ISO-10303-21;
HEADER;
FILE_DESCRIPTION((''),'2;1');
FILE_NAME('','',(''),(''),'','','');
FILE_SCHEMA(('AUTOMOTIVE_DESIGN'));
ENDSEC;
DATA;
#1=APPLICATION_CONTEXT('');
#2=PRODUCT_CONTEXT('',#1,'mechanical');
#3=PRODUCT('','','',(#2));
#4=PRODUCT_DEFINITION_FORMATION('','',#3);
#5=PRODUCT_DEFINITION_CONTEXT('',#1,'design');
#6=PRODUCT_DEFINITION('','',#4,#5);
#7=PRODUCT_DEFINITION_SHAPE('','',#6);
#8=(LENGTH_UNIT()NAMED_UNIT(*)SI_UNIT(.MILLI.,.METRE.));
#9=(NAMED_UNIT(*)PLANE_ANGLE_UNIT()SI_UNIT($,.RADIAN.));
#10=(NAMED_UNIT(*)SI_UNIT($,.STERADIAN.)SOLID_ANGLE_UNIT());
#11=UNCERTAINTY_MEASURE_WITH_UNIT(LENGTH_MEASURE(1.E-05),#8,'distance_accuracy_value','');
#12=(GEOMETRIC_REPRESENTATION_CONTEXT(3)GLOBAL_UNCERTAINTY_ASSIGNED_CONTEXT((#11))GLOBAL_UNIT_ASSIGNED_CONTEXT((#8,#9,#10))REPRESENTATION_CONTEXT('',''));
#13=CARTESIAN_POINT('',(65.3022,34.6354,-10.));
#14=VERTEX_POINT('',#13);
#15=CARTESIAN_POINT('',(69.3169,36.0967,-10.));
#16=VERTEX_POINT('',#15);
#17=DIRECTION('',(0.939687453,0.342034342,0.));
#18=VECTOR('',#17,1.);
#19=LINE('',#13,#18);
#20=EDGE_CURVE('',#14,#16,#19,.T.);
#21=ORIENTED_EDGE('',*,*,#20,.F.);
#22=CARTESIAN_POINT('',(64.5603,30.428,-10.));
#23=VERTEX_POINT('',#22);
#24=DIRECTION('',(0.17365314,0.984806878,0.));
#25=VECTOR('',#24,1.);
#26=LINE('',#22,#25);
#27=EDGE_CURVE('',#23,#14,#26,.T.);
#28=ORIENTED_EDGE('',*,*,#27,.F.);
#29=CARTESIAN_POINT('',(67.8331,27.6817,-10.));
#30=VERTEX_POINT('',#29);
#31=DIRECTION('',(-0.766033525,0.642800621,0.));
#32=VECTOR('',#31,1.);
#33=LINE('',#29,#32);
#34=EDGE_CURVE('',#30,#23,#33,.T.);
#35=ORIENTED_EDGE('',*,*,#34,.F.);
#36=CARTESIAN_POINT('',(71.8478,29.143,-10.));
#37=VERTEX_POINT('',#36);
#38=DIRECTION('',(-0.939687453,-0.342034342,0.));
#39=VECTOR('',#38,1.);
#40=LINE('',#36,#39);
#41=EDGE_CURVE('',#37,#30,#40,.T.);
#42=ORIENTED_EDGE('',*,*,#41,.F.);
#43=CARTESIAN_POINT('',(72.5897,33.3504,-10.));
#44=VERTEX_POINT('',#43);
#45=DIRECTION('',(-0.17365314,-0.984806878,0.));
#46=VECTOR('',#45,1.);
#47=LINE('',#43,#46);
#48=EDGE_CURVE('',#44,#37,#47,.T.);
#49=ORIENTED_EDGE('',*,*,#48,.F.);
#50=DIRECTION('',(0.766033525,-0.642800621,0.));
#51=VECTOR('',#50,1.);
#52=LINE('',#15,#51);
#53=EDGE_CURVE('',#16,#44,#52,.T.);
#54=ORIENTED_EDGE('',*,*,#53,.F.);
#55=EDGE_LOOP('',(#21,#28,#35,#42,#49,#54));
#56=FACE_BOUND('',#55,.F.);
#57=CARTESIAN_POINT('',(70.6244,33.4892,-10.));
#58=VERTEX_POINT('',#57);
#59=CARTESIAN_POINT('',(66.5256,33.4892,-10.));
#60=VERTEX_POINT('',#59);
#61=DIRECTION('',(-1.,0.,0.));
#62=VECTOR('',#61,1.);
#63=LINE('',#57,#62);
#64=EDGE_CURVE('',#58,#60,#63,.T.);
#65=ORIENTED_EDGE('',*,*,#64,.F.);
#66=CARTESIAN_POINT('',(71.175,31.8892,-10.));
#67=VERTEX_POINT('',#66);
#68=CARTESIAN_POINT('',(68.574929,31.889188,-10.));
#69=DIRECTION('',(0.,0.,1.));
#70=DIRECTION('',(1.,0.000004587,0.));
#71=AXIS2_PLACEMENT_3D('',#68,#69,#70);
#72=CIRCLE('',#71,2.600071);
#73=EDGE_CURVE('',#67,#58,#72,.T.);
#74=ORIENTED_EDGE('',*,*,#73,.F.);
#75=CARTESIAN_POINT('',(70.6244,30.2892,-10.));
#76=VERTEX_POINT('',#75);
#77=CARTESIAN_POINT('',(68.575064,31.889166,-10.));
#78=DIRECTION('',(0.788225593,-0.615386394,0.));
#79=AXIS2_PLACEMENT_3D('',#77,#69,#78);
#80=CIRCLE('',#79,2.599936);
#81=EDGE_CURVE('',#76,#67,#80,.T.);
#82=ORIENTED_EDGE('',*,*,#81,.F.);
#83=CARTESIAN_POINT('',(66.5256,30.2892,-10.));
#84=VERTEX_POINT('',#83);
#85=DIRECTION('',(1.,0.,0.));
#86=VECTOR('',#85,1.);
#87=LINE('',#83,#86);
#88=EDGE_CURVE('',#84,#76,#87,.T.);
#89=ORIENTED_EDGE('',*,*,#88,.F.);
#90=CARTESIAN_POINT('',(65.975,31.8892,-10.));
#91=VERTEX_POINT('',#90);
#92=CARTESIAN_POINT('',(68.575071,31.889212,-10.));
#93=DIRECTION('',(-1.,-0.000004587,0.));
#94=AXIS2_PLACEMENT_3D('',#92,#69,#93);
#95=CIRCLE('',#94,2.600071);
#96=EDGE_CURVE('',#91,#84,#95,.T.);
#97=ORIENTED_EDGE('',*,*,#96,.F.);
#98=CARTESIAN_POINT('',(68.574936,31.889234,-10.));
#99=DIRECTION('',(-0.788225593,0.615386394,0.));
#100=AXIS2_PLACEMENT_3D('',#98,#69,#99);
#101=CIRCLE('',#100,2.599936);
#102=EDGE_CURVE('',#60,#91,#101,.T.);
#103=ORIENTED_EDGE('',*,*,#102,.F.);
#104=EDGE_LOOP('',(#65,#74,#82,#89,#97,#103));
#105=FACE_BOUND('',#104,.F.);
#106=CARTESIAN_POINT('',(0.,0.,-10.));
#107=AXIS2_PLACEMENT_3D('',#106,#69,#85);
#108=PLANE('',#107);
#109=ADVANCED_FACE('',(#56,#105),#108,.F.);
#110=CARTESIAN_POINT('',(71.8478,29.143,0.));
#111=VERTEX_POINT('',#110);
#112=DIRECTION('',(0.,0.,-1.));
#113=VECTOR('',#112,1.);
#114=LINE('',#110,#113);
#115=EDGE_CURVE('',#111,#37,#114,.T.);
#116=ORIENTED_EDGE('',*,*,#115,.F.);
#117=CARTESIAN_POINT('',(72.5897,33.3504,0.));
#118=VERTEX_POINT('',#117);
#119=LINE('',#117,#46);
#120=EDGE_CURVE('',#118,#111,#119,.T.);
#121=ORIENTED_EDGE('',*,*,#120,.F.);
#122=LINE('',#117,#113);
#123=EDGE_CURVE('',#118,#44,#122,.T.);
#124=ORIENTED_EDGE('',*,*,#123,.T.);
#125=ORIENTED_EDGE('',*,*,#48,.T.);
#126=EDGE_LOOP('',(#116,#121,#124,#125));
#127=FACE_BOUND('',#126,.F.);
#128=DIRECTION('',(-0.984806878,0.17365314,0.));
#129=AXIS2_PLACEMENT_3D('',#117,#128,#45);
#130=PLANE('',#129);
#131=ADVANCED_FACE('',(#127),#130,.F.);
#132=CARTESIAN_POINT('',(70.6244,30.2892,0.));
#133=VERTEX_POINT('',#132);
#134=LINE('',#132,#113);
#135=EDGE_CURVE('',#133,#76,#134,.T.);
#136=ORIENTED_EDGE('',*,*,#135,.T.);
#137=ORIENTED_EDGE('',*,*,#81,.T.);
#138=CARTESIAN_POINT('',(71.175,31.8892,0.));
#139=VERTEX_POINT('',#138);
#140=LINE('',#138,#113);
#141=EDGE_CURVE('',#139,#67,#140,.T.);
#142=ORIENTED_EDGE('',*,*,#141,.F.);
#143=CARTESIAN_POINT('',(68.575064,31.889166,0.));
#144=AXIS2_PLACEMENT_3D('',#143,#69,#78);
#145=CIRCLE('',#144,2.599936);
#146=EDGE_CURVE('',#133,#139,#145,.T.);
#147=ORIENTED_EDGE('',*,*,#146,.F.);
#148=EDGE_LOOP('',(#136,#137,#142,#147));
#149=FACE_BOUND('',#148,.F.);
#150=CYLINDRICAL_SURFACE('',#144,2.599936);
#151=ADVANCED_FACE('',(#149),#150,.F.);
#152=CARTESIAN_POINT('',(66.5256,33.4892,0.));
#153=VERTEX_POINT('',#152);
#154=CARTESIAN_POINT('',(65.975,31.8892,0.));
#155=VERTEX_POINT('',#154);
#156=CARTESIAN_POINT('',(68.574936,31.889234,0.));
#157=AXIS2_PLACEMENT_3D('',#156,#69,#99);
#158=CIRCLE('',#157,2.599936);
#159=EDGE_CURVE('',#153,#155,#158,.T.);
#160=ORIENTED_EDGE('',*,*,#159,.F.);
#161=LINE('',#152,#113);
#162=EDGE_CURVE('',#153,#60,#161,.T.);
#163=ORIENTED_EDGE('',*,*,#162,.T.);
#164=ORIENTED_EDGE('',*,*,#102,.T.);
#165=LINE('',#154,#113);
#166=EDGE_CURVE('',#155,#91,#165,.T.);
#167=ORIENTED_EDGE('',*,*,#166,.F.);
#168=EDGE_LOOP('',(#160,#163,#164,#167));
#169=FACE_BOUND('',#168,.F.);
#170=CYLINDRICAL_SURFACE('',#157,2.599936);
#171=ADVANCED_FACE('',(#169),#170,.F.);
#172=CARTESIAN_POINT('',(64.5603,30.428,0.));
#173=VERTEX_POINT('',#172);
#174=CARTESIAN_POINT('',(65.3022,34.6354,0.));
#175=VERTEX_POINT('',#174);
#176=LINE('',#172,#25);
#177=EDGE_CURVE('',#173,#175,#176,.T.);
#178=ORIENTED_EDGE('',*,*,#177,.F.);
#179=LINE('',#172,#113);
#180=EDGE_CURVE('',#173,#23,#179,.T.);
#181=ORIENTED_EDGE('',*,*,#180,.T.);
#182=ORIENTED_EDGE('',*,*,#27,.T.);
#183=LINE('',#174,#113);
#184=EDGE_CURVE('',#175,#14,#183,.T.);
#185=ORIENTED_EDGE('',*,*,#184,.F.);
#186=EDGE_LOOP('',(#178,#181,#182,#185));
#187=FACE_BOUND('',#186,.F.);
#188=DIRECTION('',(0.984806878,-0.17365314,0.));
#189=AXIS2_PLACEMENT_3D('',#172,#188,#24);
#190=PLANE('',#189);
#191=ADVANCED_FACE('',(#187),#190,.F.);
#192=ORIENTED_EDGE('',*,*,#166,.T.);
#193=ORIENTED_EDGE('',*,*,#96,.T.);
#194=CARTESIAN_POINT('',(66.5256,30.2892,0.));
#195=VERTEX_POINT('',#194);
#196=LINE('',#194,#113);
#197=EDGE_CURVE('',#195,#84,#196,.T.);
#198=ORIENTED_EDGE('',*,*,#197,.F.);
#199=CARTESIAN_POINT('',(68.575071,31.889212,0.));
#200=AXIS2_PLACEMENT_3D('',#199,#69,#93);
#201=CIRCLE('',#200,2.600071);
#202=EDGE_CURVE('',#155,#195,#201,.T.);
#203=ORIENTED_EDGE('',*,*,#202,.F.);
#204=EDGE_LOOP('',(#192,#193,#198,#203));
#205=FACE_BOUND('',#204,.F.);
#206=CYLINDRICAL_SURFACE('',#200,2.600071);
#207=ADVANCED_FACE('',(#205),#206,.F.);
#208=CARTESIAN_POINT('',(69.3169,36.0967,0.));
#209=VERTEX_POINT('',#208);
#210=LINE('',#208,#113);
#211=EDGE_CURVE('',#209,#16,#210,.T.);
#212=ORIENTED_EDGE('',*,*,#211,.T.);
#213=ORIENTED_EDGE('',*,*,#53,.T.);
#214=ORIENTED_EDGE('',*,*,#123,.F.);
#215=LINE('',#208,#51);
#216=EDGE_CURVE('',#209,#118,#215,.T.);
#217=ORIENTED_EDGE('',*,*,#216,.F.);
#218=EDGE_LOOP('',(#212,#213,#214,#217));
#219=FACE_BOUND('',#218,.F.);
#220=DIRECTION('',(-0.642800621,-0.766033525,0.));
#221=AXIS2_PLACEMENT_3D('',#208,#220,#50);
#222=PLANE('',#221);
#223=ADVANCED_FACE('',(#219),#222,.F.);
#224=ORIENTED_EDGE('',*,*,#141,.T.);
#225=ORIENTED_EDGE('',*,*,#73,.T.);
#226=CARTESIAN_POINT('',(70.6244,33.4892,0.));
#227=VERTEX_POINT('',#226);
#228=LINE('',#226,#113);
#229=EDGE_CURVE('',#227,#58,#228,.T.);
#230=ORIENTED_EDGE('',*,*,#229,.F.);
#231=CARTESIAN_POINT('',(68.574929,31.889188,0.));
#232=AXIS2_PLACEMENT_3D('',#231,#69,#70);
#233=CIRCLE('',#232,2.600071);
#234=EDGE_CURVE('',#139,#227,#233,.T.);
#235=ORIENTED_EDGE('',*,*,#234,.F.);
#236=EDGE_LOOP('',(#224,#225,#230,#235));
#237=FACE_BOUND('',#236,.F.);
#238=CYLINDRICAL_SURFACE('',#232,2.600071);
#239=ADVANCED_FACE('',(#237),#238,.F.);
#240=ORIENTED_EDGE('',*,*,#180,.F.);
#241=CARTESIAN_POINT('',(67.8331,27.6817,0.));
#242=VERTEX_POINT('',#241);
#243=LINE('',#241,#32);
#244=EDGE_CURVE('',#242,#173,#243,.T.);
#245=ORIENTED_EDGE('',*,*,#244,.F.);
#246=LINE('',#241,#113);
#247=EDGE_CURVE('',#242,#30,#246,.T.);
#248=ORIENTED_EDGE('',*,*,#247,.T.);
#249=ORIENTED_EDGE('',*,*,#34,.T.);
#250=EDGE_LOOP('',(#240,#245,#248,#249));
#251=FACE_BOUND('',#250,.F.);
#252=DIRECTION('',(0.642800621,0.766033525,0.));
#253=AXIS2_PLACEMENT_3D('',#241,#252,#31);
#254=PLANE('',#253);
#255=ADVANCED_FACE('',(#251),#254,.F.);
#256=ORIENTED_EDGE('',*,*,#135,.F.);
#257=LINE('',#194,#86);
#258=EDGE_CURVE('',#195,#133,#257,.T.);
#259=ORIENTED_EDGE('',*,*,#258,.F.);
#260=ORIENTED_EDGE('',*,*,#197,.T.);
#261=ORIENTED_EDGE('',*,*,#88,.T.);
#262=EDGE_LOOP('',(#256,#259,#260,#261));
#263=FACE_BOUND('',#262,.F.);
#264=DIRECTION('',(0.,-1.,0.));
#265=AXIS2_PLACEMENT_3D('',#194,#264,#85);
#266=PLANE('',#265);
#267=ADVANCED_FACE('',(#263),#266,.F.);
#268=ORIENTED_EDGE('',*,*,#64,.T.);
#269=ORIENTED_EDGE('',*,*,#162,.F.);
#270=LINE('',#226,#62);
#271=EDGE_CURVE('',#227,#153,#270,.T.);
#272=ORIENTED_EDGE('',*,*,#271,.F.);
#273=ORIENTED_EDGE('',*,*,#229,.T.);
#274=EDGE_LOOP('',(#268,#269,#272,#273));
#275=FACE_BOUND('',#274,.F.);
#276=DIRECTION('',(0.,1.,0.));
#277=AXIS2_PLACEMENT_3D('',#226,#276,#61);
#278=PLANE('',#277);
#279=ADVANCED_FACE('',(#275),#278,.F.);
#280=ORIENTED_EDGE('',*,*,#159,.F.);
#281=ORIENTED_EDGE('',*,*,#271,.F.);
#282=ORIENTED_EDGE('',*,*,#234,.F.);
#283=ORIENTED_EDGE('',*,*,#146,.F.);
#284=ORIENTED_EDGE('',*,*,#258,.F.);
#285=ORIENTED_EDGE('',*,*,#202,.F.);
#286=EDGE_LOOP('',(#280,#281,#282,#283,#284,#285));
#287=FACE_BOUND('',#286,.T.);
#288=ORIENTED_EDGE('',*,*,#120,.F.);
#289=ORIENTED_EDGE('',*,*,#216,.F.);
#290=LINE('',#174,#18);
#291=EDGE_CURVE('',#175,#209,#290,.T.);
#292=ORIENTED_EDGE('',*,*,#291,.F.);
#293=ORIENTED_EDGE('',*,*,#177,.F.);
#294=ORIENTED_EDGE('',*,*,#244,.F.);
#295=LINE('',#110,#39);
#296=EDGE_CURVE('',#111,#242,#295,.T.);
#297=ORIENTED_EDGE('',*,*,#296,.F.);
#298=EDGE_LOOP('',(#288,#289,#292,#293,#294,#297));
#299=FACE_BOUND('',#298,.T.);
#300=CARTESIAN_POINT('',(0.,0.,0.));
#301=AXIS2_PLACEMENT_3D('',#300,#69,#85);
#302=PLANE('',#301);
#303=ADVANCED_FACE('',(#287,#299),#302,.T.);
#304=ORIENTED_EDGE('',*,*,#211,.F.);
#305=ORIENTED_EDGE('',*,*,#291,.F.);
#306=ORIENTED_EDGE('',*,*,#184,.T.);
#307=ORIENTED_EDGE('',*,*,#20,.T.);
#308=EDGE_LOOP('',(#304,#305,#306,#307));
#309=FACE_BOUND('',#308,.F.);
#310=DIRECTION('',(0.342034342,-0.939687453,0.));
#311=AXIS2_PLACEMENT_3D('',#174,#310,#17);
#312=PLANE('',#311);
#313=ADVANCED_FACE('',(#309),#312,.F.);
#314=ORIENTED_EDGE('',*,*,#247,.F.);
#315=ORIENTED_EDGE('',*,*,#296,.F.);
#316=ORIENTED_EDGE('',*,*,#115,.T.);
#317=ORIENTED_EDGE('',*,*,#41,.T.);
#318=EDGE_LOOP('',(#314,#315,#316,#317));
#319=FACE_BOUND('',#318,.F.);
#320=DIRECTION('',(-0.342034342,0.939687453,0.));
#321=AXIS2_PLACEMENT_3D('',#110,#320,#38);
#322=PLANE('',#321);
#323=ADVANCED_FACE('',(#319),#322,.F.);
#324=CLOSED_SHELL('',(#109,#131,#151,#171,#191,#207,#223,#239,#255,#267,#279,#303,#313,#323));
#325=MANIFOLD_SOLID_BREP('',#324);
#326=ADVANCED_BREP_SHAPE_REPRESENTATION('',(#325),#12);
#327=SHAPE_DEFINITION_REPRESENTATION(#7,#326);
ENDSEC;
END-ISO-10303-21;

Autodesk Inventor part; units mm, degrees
ref_plane "YZ Plane" through (0, 0, 0) normal (1, 0, 0) x (0, 1, 0)
ref_plane "XZ Plane" through (0, 0, 0) normal (0, 1, 0) x (-1, 0, 0)
ref_plane "XY Plane" through (0, 0, 0) normal (0, 0, 1) x (1, 0, 0)
ref_plane "Arbeitsebene1" through (0, 0, 0) normal (0, 0, 1) x (1, 0, 0)
sketch "Skizze1" plane through (0, 0, 0) normal (0, 0, 1) x (1, 0, 0)
  line L0 (66.6303, 35.3317) -> (67.8519, 35.7763) projected
  circle A0 centre (68.575, 31.8892) radius 5.5 projected
  line L1 (65.3022, 34.6354) -> (69.3169, 36.0967)
  line L2 (69.3169, 36.0967) -> (72.5897, 33.3504)
  line L3 (72.5897, 33.3504) -> (71.8478, 29.143)
  line L4 (71.8478, 29.143) -> (67.8331, 27.6817)
  line L5 (67.8331, 27.6817) -> (64.5603, 30.428)
  line L6 (64.5603, 30.428) -> (65.3022, 34.6354)
  arc A1 (66.575, 33.3892) -> (66.075, 31.8892) centre (68.575, 31.8892) ccw projected
  line L7 (70.575, 33.3892) -> (66.575, 33.3892) projected
  arc A2 (71.075, 31.8892) -> (70.575, 33.3892) centre (68.575, 31.8892) ccw projected
  arc A3 (70.575, 30.3892) -> (71.075, 31.8892) centre (68.575, 31.8892) ccw projected
  line L8 (66.575, 30.3892) -> (70.575, 30.3892) projected
  arc A4 (66.075, 31.8892) -> (66.575, 30.3892) centre (68.575, 31.8892) ccw projected
  arc A5 (66.5256, 33.4892) -> (65.975, 31.8892) centre (68.575, 31.8892) ccw
  arc A6 (65.975, 31.8892) -> (66.5256, 30.2892) centre (68.575, 31.8892) ccw
  line L9 (66.5256, 30.2892) -> (70.6244, 30.2892)
  arc A7 (70.6244, 30.2892) -> (71.175, 31.8892) centre (68.575, 31.8892) ccw
  arc A8 (71.175, 31.8892) -> (70.6244, 33.4892) centre (68.575, 31.8892) ccw
  line L10 (70.6244, 33.4892) -> (66.5256, 33.4892)
  point P0 (0, 0)
  dimension "d0" = 0.2
  dimension "d3" = 0.1
extrude "Extrusion1" add sketch "Skizze1" against normal blind 10 contours L1 L2 L3 L4 L5 L6
properties part number "11_Motor_to_Cassette_Clutch"
